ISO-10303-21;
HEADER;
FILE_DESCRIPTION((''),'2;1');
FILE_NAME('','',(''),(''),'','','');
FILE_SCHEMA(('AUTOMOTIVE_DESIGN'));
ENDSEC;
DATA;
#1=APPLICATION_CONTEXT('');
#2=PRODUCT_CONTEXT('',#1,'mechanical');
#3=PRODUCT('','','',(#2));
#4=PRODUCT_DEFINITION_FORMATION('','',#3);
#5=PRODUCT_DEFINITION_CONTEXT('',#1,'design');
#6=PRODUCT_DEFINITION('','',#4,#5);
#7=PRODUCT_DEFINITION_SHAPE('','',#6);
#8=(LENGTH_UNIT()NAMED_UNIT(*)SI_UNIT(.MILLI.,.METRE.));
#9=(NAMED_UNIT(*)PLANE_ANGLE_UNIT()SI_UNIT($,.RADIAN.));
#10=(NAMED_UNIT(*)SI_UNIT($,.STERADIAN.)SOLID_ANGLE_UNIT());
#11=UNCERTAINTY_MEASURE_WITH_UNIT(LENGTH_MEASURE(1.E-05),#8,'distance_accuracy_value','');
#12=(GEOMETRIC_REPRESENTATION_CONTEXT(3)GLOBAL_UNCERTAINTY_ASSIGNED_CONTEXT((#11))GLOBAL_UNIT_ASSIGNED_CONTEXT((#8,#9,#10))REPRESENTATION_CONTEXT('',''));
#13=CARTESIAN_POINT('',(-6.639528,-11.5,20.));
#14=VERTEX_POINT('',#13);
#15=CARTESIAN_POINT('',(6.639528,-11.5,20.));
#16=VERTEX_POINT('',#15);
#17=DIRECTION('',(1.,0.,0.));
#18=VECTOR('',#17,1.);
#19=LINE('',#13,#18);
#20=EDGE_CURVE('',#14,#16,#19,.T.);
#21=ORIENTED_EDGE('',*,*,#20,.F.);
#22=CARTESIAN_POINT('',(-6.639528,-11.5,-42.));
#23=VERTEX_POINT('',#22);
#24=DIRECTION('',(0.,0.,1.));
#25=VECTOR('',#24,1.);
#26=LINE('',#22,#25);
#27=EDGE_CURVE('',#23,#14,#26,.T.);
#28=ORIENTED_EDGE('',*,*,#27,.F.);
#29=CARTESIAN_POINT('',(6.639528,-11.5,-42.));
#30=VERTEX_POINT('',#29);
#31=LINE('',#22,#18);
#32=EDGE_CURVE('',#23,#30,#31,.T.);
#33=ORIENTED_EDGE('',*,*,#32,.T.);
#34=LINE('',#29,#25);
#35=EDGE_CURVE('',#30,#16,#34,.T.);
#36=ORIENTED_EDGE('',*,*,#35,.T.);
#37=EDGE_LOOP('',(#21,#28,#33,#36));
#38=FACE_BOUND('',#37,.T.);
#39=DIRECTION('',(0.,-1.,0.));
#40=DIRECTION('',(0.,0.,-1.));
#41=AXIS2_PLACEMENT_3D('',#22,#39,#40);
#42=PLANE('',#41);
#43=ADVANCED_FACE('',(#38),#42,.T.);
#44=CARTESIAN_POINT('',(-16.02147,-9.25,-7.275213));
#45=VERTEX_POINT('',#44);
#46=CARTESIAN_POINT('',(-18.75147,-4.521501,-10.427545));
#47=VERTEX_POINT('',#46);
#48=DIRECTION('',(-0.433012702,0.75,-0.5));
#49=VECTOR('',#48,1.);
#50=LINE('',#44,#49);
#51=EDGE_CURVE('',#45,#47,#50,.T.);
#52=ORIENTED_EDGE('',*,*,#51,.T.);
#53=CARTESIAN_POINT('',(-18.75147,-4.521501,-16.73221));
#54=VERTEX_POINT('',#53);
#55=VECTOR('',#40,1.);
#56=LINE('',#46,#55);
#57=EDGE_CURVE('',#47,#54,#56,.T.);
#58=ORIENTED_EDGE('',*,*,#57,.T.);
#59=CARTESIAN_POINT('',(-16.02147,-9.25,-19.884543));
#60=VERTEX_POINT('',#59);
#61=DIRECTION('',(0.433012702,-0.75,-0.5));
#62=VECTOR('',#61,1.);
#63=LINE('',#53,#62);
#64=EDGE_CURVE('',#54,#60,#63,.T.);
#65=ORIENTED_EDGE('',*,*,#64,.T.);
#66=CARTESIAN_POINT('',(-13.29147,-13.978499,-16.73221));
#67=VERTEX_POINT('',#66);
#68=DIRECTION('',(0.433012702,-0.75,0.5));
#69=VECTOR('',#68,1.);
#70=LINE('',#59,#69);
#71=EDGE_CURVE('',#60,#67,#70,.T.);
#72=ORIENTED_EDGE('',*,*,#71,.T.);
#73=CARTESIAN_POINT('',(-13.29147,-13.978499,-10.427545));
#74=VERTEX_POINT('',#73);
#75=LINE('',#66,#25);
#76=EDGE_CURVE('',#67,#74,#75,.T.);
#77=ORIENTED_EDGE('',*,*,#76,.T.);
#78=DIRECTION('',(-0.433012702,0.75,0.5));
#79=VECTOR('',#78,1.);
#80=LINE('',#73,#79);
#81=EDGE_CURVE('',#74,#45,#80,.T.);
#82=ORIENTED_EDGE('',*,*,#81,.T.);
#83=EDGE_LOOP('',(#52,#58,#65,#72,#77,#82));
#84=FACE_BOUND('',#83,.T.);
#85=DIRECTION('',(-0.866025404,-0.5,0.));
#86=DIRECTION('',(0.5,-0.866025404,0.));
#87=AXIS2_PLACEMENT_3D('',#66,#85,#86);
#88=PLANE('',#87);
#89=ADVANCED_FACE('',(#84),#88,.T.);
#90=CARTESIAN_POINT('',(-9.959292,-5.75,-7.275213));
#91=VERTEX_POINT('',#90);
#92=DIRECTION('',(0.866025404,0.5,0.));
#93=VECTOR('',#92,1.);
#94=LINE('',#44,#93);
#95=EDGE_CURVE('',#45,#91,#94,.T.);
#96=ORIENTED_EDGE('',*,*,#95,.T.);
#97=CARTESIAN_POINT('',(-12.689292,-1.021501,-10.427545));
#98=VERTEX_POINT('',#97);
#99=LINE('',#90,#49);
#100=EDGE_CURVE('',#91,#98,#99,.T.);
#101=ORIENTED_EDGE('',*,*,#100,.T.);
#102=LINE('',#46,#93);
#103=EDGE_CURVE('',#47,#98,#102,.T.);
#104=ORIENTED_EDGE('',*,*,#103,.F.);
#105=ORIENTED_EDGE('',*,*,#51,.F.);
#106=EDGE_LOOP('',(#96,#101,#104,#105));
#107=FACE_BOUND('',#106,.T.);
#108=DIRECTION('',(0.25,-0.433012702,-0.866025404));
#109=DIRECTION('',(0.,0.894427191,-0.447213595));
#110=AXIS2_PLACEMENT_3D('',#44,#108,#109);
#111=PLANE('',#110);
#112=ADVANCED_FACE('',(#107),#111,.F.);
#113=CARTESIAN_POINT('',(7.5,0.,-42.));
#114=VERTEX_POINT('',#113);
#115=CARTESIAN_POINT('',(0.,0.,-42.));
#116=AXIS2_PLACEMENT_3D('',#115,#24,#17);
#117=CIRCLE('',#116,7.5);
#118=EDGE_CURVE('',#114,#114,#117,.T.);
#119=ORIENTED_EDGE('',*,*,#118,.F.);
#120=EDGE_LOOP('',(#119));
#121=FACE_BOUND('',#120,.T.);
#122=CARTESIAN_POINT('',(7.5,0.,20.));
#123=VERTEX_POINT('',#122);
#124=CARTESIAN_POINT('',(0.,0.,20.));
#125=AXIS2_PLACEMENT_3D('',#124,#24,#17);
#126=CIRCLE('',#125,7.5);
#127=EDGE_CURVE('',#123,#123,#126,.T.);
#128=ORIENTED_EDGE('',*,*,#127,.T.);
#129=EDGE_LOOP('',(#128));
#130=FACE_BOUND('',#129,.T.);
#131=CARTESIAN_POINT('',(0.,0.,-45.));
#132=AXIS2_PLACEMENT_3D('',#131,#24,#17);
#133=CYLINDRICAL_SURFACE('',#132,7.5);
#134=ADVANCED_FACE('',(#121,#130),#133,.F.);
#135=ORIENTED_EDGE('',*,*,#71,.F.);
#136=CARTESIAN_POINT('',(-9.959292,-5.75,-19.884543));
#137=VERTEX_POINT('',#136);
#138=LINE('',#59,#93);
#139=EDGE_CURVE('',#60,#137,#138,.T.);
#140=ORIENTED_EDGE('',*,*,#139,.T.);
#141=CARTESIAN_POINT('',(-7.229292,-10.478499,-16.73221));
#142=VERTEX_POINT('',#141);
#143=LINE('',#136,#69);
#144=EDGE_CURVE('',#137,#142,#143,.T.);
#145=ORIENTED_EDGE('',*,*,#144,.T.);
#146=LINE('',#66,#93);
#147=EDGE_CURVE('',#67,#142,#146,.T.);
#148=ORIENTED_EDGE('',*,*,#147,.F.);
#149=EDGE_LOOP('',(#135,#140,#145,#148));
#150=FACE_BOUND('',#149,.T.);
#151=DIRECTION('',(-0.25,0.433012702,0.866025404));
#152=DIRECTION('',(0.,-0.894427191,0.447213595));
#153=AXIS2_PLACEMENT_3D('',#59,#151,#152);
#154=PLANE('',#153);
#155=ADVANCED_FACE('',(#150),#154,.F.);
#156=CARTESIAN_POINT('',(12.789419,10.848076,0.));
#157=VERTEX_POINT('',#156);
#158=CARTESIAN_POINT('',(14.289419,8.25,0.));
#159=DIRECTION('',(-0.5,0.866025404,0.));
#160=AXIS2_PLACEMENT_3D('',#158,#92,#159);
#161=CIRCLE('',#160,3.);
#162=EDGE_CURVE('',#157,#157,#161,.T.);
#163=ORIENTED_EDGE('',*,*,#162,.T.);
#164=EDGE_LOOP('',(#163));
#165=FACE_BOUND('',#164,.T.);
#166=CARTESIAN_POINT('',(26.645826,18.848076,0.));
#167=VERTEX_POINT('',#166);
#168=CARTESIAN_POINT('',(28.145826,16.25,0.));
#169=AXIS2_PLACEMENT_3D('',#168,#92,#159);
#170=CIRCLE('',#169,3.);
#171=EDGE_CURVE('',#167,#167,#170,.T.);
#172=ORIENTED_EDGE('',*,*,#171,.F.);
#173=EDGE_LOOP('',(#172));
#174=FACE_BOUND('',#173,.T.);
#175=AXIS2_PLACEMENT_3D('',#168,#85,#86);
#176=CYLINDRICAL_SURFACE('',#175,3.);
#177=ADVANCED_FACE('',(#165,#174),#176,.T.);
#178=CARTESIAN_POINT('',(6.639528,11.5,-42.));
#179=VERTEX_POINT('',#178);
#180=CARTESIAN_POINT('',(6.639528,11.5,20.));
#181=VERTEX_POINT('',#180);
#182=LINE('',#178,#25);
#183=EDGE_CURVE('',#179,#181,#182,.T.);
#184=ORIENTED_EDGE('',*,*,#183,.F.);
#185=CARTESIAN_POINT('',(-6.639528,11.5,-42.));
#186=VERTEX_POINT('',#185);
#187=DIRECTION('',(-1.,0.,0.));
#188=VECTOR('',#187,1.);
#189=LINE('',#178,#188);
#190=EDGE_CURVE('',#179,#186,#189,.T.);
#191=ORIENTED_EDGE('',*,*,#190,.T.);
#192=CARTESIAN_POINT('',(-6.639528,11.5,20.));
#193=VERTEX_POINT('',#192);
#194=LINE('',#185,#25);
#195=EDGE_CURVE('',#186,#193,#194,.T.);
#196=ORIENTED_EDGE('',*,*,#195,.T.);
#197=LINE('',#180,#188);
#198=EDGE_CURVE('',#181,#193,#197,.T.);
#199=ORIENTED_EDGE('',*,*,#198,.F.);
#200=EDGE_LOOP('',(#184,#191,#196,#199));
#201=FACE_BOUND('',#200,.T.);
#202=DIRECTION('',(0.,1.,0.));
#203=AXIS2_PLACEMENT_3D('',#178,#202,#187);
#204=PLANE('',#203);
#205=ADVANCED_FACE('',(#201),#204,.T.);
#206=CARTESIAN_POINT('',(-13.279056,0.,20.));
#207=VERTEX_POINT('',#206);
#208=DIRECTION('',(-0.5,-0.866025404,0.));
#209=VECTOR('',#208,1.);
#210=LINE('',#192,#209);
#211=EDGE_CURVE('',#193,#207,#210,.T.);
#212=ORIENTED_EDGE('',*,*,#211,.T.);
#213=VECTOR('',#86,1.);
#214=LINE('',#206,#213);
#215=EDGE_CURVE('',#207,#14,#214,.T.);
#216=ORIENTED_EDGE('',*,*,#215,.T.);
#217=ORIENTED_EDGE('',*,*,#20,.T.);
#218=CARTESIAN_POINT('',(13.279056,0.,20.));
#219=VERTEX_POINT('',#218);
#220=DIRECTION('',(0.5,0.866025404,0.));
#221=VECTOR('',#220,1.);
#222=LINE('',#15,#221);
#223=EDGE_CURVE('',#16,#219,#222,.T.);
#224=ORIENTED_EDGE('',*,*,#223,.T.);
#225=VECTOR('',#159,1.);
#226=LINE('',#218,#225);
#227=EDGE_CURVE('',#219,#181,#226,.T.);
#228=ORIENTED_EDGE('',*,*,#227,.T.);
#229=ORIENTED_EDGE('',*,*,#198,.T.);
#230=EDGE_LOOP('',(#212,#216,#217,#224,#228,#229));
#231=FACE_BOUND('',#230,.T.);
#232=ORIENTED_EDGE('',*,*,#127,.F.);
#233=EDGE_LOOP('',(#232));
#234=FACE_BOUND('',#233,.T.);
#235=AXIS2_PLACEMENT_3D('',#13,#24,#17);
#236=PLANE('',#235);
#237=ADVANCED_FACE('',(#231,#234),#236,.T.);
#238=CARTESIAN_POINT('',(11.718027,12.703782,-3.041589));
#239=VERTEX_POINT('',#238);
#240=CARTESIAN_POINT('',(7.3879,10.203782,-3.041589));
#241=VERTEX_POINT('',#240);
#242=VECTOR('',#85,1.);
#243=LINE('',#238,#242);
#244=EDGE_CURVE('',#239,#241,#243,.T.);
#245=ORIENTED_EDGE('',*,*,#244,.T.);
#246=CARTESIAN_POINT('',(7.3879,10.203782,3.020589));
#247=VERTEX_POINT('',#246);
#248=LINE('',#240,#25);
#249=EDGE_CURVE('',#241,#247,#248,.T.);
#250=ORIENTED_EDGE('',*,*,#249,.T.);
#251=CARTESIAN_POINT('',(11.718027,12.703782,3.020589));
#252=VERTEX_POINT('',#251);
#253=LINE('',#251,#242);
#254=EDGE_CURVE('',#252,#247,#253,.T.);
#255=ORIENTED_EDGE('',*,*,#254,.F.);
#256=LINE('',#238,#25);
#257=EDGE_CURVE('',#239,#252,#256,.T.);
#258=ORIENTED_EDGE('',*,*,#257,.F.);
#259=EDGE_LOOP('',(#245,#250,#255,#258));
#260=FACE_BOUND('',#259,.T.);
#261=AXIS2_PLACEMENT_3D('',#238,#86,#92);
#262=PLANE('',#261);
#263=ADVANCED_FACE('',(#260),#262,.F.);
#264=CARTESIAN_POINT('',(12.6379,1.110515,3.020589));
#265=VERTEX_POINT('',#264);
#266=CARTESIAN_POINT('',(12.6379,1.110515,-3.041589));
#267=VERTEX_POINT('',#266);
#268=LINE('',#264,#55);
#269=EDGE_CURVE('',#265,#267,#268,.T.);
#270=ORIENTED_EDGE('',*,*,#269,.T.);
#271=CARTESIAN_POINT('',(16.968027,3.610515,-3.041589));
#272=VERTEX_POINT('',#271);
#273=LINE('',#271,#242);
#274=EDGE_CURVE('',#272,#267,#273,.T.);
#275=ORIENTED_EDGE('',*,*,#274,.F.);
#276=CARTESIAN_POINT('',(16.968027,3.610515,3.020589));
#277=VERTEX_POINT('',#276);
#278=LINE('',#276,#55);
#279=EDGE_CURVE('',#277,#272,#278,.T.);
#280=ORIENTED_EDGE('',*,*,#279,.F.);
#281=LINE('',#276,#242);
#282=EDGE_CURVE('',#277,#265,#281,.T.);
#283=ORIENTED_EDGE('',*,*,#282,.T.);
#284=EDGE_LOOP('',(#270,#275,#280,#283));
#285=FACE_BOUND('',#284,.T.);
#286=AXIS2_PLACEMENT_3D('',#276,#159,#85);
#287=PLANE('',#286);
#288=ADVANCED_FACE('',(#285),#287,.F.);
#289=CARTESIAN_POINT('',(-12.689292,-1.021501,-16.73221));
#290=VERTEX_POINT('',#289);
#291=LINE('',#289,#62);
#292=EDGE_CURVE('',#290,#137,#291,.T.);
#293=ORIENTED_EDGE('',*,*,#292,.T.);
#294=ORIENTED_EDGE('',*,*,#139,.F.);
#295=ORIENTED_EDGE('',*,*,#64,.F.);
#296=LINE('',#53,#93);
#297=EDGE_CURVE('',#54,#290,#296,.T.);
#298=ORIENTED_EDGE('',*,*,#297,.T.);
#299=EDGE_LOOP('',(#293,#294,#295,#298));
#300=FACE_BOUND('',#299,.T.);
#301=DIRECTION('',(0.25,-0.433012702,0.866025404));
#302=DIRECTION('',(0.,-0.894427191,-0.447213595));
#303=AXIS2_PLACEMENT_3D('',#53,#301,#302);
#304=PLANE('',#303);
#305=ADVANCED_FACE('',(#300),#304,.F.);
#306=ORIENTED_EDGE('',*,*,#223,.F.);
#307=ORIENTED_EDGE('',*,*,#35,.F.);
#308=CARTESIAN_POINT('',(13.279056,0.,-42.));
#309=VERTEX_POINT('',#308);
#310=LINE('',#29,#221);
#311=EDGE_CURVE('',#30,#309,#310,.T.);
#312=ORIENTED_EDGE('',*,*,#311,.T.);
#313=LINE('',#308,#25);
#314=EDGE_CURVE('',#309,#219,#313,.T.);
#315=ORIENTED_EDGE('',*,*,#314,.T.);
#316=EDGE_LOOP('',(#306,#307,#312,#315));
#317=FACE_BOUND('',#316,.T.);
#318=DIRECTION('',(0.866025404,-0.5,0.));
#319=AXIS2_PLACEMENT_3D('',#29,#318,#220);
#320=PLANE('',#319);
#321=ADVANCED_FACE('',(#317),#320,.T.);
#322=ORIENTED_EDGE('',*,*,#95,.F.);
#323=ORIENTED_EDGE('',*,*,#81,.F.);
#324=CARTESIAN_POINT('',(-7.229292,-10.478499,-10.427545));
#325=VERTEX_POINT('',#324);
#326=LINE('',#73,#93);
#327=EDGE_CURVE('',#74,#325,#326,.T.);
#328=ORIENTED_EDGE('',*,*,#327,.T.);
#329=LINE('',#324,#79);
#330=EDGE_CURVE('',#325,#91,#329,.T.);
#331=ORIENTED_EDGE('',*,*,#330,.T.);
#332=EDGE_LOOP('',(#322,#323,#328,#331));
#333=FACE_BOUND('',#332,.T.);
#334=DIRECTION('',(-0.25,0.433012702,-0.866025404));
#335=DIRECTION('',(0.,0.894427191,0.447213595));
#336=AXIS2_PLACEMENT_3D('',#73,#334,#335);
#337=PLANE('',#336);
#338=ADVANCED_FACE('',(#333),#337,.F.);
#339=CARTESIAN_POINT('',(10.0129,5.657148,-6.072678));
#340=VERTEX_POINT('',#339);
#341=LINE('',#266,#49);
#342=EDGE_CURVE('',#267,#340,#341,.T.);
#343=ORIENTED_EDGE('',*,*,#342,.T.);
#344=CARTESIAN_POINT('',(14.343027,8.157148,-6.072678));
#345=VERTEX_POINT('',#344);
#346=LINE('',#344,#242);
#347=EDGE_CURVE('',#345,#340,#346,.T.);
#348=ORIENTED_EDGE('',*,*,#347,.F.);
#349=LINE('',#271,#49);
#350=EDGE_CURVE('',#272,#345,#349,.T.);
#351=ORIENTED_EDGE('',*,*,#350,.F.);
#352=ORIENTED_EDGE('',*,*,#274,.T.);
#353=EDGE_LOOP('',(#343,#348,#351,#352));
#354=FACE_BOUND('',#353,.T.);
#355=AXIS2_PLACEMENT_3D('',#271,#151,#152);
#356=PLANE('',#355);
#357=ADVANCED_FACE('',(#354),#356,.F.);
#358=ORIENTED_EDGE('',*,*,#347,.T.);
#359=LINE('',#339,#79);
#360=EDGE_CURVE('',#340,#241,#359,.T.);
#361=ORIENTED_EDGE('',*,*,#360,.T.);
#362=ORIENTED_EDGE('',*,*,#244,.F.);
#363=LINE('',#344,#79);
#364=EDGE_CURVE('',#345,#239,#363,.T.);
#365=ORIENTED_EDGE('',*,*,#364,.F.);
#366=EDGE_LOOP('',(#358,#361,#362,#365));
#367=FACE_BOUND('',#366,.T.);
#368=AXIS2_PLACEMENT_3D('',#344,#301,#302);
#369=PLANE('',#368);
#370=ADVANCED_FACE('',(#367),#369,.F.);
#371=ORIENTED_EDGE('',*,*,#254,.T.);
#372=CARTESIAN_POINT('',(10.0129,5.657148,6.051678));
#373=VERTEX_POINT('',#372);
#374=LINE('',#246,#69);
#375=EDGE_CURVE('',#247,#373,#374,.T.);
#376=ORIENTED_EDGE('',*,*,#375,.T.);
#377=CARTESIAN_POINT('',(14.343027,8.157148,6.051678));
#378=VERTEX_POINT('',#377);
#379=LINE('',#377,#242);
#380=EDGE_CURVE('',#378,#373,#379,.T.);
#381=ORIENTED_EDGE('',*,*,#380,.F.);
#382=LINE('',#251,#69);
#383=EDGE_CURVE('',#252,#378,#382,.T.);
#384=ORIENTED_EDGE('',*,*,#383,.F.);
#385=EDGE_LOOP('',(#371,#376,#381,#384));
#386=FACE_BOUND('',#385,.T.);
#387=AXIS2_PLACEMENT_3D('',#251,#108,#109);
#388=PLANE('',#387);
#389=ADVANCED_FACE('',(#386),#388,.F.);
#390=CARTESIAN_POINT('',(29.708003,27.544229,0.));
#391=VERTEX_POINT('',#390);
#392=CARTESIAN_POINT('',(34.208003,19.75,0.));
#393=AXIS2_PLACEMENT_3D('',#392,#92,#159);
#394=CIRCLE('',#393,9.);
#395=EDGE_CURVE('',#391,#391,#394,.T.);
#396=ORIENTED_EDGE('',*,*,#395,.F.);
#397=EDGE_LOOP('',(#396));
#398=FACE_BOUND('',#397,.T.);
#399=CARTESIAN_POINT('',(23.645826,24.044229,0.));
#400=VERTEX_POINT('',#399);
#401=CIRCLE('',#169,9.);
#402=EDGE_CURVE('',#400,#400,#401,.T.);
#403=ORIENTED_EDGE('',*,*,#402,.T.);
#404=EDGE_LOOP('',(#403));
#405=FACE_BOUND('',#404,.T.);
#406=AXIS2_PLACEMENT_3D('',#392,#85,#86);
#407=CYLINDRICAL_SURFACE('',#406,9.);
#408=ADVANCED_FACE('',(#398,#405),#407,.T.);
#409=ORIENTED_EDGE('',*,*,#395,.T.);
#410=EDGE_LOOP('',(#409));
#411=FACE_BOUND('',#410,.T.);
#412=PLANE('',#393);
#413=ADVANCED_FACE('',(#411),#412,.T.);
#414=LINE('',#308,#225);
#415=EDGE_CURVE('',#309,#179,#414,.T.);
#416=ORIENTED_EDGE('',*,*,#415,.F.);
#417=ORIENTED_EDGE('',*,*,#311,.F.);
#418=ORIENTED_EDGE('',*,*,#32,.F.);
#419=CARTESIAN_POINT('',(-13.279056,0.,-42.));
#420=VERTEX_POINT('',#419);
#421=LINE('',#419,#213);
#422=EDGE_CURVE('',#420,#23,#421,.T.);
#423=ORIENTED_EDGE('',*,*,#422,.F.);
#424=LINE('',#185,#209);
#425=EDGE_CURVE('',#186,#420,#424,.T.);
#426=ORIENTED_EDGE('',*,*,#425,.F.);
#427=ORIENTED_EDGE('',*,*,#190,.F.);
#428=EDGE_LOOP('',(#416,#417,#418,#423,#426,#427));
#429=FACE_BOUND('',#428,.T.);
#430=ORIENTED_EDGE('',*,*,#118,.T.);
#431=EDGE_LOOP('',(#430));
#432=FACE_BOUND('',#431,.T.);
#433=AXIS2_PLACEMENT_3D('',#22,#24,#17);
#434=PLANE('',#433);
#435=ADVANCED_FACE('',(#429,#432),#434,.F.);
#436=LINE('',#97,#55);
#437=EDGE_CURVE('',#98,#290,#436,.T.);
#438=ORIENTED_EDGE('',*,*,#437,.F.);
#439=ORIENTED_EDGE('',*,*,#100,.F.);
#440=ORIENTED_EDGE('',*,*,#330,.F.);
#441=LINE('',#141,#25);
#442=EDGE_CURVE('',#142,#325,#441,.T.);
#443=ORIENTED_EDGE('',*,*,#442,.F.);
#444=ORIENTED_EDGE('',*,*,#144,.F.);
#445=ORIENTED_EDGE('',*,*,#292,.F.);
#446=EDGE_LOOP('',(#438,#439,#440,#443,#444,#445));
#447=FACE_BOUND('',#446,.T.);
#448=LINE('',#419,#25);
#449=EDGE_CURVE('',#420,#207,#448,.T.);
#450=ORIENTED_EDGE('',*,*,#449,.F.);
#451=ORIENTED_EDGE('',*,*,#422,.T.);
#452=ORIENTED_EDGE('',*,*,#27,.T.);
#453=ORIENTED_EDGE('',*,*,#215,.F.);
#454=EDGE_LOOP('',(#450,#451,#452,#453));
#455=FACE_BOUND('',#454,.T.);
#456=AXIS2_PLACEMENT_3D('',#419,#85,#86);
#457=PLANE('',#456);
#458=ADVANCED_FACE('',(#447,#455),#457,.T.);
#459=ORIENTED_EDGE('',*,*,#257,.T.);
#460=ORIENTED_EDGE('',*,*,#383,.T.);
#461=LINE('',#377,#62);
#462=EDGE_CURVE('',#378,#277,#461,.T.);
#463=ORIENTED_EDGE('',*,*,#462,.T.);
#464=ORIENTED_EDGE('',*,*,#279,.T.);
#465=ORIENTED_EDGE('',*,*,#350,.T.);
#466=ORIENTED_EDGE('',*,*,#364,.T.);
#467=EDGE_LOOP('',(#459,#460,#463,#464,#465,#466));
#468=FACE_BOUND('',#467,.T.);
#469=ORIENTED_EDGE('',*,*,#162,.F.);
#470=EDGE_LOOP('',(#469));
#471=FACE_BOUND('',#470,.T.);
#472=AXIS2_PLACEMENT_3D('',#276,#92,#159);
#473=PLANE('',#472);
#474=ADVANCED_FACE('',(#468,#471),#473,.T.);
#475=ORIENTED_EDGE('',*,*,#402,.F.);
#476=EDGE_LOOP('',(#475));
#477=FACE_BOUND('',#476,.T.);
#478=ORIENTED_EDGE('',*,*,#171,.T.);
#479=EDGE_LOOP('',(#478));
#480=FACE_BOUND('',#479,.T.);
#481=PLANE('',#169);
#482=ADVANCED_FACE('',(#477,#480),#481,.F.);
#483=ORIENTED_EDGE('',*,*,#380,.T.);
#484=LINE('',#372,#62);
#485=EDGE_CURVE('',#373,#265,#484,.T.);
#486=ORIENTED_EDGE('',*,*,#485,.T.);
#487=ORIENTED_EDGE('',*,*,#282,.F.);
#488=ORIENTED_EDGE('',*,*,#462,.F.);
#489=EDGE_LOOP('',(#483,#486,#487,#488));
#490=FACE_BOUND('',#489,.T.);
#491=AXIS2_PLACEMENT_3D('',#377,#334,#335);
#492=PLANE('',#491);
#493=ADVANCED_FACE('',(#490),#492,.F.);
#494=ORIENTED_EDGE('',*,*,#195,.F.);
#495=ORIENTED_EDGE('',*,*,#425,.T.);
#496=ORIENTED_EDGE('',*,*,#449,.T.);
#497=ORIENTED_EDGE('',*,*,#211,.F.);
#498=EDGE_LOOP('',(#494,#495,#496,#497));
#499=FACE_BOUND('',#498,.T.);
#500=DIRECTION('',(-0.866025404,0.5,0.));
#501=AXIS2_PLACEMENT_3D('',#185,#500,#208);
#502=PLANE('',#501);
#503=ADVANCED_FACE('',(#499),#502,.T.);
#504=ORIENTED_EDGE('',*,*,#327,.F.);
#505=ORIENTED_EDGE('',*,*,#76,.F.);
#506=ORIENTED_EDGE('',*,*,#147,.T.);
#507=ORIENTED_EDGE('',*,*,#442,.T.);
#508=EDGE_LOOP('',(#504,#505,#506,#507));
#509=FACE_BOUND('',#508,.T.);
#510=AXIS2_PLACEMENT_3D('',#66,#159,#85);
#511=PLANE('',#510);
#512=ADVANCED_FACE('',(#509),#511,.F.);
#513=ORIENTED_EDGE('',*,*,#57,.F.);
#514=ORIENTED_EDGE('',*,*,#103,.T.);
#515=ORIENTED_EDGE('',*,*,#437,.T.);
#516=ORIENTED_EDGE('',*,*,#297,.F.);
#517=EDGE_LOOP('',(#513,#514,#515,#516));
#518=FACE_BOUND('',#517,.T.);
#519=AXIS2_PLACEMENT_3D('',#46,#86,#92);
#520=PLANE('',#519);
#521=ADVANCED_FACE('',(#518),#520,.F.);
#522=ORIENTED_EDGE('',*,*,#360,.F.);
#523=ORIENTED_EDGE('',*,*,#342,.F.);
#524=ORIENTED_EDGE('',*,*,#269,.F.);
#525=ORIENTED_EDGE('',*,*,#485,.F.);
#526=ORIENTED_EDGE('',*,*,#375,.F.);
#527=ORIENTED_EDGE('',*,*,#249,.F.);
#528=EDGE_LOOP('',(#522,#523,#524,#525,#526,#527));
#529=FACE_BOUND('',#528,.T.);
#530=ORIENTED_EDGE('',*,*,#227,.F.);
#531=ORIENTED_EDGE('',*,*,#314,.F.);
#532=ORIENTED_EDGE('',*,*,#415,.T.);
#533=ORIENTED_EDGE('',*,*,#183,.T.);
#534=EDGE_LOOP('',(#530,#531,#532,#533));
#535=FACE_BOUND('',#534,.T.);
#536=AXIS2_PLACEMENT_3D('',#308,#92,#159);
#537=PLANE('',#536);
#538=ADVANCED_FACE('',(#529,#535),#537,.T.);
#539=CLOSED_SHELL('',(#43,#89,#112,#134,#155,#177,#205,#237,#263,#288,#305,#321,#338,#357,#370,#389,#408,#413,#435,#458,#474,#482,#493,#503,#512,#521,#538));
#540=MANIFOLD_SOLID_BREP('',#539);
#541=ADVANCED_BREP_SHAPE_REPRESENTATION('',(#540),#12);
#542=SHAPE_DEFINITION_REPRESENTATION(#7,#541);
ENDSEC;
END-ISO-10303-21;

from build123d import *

# Parameters (mm, degrees)
EXTRUDE_1_DEPTH      = 20
EXTRUDE_1_DEPTH_BACK = 42
SKETCH_2_R           = 7.5
CUT_EXTRUDE_1_DEPTH  = 65
EXTRUDE_2_DEPTH      = 5
SKETCH_4_R           = 3
EXTRUDE_3_DEPTH      = 16
SKETCH_5_R           = 9
EXTRUDE_4_DEPTH      = 7
EXTRUDE_5_DEPTH      = 7


with BuildPart() as part:
    # 草图1 → 凸台-拉伸1 (new body, two sides)
    with BuildSketch(Plane.XY) as extrude_1_sk:
        Polygon((-6.639528096, -11.5), (6.639528096, -11.5), (13.279056191, 0), (6.639528096, 11.5), (-6.639528096, 11.5), (-13.279056191, 0), align=None)
    extrude(amount=EXTRUDE_1_DEPTH)
    extrude(extrude_1_sk.sketch, amount=-EXTRUDE_1_DEPTH_BACK)

    # 草图2 → 切除-拉伸1 (cut)
    with BuildSketch(Plane.XY.offset(20)):
        Circle(SKETCH_2_R)
    extrude(amount=-CUT_EXTRUDE_1_DEPTH, mode=Mode.SUBTRACT)

    # 草图3 → 凸台-拉伸2 (add)
    with BuildSketch(Plane(origin=(9.959292144, 5.75, 0), x_dir=(0, 0, -1), z_dir=(0.866025404, 0.5, 0))):
        Polygon((-3.020588915, -5.357215685), (3.041588911, -5.357215685), (6.072677825, -0.107215685), (3.041588911, 5.142784315), (-3.020588915, 5.142784315), (-6.051677828, -0.107215685), align=None)
    extrude(amount=EXTRUDE_2_DEPTH)

    # 草图4 → 凸台-拉伸3 (add)
    with BuildSketch(Plane(origin=(14.289419162, 8.25, 0), x_dir=(0, 0, -1), z_dir=(0.866025404, 0.5, 0))):
        Circle(SKETCH_4_R)
    extrude(amount=EXTRUDE_3_DEPTH)

    # 草图5 → 凸台-拉伸4 (add)
    with BuildSketch(Plane(origin=(28.145825623, 16.25, 0), x_dir=(0, 0, -1), z_dir=(0.866025404, 0.5, 0))):
        Circle(SKETCH_5_R)
    extrude(amount=EXTRUDE_4_DEPTH)

    # 草图6 → 凸台-拉伸5 (add)
    with BuildSketch(Plane(origin=(-9.959292144, -5.75, 0), x_dir=(0, 0, 1), z_dir=(-0.866025404, -0.5, 0))):
        Polygon((-16.732210102, -5.46), (-10.427545163, -5.46), (-7.275212693, 0), (-10.427545163, 5.46), (-16.732210102, 5.46), (-19.884542572, 0), align=None)
    extrude(amount=EXTRUDE_5_DEPTH)


solid = part.part
